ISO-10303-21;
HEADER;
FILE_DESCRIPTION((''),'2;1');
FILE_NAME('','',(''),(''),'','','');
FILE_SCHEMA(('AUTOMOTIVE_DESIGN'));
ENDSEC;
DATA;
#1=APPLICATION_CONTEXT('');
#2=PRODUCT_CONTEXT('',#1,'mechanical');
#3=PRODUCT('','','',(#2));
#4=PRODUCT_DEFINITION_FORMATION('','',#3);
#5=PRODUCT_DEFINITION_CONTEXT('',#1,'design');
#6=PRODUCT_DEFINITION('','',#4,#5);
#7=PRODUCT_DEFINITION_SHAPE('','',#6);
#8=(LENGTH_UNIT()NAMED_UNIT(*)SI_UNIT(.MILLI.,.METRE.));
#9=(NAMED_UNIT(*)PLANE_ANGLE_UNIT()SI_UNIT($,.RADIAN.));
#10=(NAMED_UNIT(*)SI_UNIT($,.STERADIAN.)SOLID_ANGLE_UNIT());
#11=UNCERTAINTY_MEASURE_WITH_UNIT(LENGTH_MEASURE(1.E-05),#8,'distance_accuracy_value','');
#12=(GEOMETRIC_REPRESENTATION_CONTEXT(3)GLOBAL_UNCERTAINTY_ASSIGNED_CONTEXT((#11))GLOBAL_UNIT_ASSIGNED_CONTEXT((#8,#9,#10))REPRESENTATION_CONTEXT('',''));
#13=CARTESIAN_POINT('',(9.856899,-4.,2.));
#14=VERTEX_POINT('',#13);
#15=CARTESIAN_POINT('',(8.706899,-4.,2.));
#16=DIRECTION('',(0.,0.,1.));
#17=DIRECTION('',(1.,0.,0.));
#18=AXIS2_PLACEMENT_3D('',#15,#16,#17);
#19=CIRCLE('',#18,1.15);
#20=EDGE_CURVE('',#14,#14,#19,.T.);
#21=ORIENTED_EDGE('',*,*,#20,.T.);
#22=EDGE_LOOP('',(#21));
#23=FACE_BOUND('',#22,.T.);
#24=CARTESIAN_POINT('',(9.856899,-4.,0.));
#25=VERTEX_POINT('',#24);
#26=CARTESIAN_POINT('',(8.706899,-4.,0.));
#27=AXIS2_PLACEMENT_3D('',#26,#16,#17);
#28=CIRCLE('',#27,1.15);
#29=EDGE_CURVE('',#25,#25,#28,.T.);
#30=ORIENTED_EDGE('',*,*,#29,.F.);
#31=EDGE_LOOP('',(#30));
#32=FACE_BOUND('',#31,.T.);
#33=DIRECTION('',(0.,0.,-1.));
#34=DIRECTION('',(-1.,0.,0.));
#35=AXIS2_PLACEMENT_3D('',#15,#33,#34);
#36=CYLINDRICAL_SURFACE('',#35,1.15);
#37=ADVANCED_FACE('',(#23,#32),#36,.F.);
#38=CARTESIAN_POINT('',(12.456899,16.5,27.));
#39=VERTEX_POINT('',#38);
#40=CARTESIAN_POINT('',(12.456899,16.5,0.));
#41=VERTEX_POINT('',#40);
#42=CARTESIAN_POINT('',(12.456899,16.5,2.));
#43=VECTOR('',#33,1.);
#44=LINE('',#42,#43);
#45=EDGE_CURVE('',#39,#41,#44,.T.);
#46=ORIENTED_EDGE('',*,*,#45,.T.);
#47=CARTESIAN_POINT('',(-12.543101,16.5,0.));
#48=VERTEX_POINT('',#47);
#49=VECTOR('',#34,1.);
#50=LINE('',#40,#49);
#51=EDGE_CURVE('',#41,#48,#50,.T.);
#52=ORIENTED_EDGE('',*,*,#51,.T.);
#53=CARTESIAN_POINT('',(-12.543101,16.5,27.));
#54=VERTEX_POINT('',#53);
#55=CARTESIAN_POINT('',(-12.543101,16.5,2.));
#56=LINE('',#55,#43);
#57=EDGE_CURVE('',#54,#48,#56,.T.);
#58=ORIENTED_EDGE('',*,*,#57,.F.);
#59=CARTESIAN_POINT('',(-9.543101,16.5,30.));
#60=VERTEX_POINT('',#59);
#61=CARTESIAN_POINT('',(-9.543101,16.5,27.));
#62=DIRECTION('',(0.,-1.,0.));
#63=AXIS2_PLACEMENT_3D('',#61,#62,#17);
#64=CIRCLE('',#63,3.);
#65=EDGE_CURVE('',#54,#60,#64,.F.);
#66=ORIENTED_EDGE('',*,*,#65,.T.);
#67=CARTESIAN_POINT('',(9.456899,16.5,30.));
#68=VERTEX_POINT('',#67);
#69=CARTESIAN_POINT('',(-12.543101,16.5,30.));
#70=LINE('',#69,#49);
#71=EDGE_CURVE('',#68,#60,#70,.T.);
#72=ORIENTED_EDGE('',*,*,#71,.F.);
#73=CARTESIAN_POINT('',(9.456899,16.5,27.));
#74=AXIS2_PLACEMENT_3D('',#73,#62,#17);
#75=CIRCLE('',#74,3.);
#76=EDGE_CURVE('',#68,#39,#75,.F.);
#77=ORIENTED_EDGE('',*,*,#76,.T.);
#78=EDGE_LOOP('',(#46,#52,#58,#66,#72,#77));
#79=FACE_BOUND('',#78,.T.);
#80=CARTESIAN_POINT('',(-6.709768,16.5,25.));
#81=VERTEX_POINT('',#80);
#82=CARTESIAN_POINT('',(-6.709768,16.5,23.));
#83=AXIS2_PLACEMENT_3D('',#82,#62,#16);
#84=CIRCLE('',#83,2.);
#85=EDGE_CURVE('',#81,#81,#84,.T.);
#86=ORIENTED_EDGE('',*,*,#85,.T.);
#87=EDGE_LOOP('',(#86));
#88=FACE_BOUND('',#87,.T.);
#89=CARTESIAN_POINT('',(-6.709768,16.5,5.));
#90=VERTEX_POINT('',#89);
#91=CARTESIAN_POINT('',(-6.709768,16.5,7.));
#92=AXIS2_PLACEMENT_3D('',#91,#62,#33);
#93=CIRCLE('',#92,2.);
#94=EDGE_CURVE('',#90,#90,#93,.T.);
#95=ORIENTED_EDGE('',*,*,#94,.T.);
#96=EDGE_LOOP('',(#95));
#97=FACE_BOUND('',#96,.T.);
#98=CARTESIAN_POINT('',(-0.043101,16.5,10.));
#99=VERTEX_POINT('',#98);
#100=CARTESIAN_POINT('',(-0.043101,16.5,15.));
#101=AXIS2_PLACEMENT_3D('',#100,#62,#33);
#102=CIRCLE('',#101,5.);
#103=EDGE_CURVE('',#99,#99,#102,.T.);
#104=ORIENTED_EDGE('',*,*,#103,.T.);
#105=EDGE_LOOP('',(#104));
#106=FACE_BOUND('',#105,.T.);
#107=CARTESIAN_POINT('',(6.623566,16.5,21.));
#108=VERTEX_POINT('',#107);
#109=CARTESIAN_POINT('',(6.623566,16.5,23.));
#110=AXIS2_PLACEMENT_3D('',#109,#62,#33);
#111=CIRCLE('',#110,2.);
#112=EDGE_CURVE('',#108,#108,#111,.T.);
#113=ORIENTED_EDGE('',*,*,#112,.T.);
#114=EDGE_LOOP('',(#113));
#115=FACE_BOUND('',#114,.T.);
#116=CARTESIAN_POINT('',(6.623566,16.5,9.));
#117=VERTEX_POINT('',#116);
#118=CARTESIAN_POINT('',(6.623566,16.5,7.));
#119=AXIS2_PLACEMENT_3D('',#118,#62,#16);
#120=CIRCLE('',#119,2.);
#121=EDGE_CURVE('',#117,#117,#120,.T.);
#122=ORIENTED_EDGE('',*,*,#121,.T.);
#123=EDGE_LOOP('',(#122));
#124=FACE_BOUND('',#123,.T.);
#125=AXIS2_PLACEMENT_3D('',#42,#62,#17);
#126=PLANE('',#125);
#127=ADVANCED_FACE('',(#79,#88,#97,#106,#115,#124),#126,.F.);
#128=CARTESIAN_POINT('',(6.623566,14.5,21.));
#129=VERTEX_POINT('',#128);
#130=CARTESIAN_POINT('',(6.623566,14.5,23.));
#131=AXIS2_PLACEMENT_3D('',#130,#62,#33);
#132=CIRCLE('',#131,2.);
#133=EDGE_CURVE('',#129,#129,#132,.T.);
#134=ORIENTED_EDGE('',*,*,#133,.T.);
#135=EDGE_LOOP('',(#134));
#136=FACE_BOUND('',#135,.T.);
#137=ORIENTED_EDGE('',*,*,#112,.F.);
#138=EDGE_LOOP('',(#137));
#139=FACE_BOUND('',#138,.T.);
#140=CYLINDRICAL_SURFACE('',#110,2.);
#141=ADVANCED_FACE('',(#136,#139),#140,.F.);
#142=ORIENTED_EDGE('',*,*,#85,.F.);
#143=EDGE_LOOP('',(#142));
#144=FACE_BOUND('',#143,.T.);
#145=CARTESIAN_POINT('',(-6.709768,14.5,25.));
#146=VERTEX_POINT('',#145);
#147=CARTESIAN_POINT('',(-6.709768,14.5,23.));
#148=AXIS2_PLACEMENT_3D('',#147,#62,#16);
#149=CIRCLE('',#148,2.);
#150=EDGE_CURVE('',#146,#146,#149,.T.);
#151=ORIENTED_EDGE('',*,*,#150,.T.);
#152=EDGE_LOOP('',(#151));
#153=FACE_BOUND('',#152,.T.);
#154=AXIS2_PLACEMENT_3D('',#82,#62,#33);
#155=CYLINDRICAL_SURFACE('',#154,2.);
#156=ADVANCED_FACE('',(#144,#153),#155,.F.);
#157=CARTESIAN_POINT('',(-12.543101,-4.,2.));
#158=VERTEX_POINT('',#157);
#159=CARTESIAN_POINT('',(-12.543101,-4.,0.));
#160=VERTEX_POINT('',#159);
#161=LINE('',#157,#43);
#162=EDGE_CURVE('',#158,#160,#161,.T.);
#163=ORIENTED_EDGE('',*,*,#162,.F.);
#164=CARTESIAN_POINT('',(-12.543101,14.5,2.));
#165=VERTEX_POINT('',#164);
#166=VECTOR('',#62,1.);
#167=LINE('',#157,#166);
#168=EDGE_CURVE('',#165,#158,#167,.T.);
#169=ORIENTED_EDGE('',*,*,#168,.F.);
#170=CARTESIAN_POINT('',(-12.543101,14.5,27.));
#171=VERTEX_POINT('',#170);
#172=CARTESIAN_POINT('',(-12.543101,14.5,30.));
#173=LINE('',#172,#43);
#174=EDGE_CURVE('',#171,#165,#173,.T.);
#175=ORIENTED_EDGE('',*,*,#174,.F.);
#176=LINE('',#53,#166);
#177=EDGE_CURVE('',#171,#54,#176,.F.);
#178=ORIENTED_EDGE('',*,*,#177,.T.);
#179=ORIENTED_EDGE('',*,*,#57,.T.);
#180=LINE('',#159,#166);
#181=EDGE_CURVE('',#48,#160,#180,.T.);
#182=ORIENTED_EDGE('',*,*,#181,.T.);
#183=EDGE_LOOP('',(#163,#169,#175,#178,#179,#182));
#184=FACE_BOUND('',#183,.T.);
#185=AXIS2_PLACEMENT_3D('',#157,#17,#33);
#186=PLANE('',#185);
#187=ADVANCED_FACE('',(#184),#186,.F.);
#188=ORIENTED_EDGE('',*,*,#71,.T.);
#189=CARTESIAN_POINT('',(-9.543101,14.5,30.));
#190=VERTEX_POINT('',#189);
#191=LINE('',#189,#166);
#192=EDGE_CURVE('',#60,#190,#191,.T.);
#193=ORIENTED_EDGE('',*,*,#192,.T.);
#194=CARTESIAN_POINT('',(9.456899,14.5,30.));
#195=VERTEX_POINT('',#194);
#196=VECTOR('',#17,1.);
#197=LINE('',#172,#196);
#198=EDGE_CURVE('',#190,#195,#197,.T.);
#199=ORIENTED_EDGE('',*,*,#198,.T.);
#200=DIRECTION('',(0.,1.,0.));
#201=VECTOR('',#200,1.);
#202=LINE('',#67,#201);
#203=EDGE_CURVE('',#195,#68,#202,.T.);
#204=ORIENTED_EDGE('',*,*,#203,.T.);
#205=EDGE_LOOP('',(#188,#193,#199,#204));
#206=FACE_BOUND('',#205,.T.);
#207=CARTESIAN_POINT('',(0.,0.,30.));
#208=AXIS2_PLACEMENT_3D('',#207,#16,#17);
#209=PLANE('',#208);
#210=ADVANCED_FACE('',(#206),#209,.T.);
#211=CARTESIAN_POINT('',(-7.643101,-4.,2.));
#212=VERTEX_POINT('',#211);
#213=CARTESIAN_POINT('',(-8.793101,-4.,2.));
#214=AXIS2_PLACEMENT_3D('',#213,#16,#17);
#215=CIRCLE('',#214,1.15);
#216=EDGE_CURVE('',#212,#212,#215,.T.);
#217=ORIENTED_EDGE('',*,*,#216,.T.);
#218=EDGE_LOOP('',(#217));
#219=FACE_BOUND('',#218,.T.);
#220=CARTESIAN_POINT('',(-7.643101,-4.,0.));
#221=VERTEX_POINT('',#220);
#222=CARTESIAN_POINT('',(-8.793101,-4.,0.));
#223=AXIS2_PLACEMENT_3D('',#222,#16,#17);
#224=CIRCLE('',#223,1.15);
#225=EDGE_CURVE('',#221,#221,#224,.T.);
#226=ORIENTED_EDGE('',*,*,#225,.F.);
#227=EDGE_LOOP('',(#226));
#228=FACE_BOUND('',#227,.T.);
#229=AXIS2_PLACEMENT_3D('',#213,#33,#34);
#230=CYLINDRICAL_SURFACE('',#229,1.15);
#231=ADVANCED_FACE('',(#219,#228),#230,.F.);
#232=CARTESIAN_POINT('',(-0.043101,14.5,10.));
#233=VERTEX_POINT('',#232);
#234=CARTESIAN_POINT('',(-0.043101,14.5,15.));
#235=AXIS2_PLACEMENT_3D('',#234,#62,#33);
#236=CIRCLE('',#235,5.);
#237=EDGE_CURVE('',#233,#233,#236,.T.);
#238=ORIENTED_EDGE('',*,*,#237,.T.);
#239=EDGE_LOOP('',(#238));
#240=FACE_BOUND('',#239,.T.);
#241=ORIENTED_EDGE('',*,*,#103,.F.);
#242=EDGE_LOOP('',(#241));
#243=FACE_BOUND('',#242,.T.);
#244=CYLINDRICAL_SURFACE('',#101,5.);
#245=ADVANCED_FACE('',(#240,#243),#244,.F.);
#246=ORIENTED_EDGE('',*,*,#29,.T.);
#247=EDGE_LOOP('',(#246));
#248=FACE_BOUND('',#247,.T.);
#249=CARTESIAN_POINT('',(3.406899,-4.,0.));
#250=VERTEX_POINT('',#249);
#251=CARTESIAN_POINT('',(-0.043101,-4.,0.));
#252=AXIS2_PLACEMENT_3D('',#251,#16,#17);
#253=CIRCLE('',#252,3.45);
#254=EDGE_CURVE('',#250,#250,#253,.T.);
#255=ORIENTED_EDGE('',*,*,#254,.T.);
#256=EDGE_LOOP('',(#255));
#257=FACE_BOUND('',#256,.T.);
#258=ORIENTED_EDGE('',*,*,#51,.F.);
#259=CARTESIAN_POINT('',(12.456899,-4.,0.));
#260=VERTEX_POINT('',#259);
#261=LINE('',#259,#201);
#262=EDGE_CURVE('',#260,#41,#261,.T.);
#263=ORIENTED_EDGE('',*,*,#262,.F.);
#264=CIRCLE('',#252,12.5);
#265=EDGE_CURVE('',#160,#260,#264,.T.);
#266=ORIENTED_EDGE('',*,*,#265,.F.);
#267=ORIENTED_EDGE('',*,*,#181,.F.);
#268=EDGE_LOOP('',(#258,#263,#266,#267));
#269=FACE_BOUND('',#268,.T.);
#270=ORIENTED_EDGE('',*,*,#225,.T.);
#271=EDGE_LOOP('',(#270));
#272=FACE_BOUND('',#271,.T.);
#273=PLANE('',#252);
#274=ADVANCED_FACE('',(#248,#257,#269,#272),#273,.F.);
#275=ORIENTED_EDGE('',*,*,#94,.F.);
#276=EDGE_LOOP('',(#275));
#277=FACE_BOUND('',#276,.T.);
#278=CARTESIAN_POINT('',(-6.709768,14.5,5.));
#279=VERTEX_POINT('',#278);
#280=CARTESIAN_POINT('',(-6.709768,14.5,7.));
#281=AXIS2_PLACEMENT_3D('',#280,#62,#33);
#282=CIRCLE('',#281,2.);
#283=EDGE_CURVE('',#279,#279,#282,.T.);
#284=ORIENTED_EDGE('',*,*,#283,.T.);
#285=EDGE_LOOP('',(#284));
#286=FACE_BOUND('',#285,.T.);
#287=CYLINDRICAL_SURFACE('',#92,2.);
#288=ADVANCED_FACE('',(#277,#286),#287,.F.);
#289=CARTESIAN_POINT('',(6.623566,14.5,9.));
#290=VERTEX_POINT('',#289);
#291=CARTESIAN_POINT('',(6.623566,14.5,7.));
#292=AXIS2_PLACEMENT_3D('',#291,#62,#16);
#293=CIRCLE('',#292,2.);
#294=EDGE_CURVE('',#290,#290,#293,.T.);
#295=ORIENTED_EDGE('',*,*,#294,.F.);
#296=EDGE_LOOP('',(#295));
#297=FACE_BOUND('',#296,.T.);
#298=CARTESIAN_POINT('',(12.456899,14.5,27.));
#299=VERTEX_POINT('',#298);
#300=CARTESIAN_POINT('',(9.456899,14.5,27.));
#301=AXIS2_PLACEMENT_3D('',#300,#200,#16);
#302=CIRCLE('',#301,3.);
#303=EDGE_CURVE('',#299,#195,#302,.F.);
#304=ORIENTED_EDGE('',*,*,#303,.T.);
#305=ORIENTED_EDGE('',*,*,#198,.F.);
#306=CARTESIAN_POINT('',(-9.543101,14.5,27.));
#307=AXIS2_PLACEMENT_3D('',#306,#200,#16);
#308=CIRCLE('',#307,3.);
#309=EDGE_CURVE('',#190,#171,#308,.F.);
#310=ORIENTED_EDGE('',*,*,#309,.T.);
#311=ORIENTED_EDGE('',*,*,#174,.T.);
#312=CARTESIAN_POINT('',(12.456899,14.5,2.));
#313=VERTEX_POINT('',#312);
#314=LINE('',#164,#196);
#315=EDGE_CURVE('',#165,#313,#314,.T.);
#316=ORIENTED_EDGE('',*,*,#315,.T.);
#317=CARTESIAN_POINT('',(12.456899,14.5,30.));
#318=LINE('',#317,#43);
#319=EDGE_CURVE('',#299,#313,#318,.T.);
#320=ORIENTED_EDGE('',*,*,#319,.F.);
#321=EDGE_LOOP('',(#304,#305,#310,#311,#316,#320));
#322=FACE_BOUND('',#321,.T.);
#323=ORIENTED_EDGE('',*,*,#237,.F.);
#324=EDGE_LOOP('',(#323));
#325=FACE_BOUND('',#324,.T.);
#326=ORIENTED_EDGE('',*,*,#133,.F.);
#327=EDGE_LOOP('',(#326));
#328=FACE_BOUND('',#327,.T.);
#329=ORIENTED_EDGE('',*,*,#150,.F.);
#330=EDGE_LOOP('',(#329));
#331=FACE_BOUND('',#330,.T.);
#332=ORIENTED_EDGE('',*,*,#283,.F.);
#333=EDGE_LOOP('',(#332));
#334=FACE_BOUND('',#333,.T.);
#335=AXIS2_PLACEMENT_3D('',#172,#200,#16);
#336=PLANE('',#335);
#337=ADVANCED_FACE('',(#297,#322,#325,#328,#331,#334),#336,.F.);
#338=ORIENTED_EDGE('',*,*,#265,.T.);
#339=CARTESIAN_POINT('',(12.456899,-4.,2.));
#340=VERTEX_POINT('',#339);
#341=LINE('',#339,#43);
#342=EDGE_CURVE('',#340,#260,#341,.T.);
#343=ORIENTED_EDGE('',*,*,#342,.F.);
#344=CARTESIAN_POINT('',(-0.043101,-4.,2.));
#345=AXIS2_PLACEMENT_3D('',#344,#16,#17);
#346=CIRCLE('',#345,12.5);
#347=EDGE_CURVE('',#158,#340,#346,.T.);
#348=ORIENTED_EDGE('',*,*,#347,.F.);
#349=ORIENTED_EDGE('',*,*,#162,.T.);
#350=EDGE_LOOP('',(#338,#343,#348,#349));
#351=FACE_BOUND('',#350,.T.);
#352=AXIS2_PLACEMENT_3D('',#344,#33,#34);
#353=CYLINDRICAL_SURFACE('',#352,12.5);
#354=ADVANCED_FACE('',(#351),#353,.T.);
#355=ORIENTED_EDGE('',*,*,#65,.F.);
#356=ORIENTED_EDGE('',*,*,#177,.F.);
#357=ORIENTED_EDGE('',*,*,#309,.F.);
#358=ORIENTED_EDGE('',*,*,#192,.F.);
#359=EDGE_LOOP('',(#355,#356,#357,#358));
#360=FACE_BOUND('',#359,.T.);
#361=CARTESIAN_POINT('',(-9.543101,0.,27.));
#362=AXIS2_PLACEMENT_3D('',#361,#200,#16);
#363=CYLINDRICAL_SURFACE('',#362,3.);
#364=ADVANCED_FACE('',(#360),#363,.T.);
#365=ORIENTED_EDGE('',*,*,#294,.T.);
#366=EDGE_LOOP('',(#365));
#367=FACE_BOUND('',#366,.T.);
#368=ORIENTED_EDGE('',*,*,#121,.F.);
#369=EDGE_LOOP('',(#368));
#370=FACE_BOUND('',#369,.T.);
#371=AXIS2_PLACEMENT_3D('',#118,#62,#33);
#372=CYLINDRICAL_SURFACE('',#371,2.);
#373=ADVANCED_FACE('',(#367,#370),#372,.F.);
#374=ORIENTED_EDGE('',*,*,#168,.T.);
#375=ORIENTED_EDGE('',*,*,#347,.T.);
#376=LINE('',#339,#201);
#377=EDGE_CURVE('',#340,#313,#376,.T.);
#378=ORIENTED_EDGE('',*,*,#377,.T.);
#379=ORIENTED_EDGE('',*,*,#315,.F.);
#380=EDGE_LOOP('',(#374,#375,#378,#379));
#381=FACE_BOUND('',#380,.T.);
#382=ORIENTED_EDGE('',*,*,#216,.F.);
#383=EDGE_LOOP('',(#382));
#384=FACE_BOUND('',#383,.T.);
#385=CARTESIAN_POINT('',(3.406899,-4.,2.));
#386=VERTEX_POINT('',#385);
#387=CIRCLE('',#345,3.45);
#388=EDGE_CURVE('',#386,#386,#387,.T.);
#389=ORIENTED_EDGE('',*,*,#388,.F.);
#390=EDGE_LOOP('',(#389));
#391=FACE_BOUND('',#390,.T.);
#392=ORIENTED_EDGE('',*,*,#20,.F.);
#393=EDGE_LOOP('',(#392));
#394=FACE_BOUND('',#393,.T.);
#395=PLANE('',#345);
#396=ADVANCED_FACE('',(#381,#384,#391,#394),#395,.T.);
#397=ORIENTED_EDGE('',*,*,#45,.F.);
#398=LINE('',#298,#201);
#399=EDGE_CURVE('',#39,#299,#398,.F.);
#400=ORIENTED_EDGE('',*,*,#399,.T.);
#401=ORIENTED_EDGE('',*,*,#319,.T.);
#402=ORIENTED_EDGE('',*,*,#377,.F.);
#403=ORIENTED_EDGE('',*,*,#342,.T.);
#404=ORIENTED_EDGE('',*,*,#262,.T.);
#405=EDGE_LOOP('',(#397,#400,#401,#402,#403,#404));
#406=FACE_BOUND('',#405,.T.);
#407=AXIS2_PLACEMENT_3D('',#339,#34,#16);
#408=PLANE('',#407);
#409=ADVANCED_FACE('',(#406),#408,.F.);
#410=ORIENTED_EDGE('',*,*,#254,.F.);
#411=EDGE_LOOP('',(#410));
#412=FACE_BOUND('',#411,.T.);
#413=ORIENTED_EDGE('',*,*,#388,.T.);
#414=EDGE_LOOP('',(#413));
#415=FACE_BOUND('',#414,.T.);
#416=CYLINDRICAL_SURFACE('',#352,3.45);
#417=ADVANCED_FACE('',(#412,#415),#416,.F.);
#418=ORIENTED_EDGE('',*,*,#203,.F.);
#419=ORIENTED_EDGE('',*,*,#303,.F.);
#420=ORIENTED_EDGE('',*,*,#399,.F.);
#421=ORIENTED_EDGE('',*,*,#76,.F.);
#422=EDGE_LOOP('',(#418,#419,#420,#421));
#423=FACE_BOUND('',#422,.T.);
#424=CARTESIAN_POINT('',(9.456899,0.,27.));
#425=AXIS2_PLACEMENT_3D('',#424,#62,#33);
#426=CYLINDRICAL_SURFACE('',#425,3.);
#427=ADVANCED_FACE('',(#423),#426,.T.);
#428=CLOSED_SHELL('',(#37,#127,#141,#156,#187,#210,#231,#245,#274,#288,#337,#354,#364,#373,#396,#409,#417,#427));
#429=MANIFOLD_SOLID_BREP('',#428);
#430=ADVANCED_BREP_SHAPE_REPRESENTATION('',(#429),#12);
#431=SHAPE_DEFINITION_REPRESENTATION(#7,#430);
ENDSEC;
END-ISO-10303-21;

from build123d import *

# Parameters (mm, degrees)
ESBO_O1_R                = 3.45
ESBO_O1_R_2              = 1.15
RESSALTO_EXTRUS_O2_DEPTH = 2
ESBO_O2_W                = 25
ESBO_O2_H                = 2
RESSALTO_EXTRUS_O3_DEPTH = 28
ESBO_O3_R                = 5
ESBO_O3_R_2              = 2
CORTE_EXTRUS_O1_DEPTH    = 2
FILETE1_R                = 3
FILETE2_R                = 3


with BuildPart() as part:
    # Esboço1 → Ressalto-extrusão2 (new body)
    with BuildSketch(Plane.XY):
        with BuildLine():
            Line((12.456898993, -4), (12.456898993, 16.5))
            Line((12.456898993, 16.5), (-12.543101007, 16.5))
            Line((-12.543101007, 16.5), (-12.543101007, -4))
            ThreePointArc((-12.543101007, -4), (-0.043101007, -16.5), (12.456898993, -4))
        make_face()
        with Locations((-0.043101007, -4)):
            Circle(ESBO_O1_R, mode=Mode.SUBTRACT)
        with Locations((8.706898993, -4)):
            Circle(ESBO_O1_R_2, mode=Mode.SUBTRACT)
        with Locations((-8.793101007, -4)):
            Circle(ESBO_O1_R_2, mode=Mode.SUBTRACT)
    extrude(amount=RESSALTO_EXTRUS_O2_DEPTH)

    # Esboço2 → Ressalto-extrusão3 (add)
    with BuildSketch(Plane.XY.offset(2)):
        with Locations((-0.043101007, 15.5)):
            Rectangle(ESBO_O2_W, ESBO_O2_H)
    extrude(amount=RESSALTO_EXTRUS_O3_DEPTH)

    # Esboço3 → Corte-extrusão1 (cut)
    with BuildSketch(Plane.XZ.offset(-14.5)):
        with Locations(Location((-0.043101007, 15, 0), (0, 0, 270))):
            Circle(ESBO_O3_R)
        with Locations(Location((-6.709767674, 7, 0), (0, 0, 270))):
            Circle(ESBO_O3_R_2)
        with Locations(Location((6.623565659, 7, 0), (0, 0, 90))):
            Circle(ESBO_O3_R_2)
        with Locations(Location((6.623565659, 23, 0), (0, 0, 270))):
            Circle(ESBO_O3_R_2)
        with Locations(Location((-6.709767674, 23, 0), (0, 0, 90))):
            Circle(ESBO_O3_R_2)
    extrude(amount=-CORTE_EXTRUS_O1_DEPTH, mode=Mode.SUBTRACT)

    # Filete1
    filete1_edges = [part.edges().sort_by_distance(p)[0] for p in [
        (12.456898993, 15.5, 30),
    ]]
    fillet(filete1_edges, radius=FILETE1_R)

    # Filete2
    filete2_edges = [part.edges().sort_by_distance(p)[0] for p in [
        (-12.543101007, 15.5, 30),
    ]]
    fillet(filete2_edges, radius=FILETE2_R)


solid = part.part
